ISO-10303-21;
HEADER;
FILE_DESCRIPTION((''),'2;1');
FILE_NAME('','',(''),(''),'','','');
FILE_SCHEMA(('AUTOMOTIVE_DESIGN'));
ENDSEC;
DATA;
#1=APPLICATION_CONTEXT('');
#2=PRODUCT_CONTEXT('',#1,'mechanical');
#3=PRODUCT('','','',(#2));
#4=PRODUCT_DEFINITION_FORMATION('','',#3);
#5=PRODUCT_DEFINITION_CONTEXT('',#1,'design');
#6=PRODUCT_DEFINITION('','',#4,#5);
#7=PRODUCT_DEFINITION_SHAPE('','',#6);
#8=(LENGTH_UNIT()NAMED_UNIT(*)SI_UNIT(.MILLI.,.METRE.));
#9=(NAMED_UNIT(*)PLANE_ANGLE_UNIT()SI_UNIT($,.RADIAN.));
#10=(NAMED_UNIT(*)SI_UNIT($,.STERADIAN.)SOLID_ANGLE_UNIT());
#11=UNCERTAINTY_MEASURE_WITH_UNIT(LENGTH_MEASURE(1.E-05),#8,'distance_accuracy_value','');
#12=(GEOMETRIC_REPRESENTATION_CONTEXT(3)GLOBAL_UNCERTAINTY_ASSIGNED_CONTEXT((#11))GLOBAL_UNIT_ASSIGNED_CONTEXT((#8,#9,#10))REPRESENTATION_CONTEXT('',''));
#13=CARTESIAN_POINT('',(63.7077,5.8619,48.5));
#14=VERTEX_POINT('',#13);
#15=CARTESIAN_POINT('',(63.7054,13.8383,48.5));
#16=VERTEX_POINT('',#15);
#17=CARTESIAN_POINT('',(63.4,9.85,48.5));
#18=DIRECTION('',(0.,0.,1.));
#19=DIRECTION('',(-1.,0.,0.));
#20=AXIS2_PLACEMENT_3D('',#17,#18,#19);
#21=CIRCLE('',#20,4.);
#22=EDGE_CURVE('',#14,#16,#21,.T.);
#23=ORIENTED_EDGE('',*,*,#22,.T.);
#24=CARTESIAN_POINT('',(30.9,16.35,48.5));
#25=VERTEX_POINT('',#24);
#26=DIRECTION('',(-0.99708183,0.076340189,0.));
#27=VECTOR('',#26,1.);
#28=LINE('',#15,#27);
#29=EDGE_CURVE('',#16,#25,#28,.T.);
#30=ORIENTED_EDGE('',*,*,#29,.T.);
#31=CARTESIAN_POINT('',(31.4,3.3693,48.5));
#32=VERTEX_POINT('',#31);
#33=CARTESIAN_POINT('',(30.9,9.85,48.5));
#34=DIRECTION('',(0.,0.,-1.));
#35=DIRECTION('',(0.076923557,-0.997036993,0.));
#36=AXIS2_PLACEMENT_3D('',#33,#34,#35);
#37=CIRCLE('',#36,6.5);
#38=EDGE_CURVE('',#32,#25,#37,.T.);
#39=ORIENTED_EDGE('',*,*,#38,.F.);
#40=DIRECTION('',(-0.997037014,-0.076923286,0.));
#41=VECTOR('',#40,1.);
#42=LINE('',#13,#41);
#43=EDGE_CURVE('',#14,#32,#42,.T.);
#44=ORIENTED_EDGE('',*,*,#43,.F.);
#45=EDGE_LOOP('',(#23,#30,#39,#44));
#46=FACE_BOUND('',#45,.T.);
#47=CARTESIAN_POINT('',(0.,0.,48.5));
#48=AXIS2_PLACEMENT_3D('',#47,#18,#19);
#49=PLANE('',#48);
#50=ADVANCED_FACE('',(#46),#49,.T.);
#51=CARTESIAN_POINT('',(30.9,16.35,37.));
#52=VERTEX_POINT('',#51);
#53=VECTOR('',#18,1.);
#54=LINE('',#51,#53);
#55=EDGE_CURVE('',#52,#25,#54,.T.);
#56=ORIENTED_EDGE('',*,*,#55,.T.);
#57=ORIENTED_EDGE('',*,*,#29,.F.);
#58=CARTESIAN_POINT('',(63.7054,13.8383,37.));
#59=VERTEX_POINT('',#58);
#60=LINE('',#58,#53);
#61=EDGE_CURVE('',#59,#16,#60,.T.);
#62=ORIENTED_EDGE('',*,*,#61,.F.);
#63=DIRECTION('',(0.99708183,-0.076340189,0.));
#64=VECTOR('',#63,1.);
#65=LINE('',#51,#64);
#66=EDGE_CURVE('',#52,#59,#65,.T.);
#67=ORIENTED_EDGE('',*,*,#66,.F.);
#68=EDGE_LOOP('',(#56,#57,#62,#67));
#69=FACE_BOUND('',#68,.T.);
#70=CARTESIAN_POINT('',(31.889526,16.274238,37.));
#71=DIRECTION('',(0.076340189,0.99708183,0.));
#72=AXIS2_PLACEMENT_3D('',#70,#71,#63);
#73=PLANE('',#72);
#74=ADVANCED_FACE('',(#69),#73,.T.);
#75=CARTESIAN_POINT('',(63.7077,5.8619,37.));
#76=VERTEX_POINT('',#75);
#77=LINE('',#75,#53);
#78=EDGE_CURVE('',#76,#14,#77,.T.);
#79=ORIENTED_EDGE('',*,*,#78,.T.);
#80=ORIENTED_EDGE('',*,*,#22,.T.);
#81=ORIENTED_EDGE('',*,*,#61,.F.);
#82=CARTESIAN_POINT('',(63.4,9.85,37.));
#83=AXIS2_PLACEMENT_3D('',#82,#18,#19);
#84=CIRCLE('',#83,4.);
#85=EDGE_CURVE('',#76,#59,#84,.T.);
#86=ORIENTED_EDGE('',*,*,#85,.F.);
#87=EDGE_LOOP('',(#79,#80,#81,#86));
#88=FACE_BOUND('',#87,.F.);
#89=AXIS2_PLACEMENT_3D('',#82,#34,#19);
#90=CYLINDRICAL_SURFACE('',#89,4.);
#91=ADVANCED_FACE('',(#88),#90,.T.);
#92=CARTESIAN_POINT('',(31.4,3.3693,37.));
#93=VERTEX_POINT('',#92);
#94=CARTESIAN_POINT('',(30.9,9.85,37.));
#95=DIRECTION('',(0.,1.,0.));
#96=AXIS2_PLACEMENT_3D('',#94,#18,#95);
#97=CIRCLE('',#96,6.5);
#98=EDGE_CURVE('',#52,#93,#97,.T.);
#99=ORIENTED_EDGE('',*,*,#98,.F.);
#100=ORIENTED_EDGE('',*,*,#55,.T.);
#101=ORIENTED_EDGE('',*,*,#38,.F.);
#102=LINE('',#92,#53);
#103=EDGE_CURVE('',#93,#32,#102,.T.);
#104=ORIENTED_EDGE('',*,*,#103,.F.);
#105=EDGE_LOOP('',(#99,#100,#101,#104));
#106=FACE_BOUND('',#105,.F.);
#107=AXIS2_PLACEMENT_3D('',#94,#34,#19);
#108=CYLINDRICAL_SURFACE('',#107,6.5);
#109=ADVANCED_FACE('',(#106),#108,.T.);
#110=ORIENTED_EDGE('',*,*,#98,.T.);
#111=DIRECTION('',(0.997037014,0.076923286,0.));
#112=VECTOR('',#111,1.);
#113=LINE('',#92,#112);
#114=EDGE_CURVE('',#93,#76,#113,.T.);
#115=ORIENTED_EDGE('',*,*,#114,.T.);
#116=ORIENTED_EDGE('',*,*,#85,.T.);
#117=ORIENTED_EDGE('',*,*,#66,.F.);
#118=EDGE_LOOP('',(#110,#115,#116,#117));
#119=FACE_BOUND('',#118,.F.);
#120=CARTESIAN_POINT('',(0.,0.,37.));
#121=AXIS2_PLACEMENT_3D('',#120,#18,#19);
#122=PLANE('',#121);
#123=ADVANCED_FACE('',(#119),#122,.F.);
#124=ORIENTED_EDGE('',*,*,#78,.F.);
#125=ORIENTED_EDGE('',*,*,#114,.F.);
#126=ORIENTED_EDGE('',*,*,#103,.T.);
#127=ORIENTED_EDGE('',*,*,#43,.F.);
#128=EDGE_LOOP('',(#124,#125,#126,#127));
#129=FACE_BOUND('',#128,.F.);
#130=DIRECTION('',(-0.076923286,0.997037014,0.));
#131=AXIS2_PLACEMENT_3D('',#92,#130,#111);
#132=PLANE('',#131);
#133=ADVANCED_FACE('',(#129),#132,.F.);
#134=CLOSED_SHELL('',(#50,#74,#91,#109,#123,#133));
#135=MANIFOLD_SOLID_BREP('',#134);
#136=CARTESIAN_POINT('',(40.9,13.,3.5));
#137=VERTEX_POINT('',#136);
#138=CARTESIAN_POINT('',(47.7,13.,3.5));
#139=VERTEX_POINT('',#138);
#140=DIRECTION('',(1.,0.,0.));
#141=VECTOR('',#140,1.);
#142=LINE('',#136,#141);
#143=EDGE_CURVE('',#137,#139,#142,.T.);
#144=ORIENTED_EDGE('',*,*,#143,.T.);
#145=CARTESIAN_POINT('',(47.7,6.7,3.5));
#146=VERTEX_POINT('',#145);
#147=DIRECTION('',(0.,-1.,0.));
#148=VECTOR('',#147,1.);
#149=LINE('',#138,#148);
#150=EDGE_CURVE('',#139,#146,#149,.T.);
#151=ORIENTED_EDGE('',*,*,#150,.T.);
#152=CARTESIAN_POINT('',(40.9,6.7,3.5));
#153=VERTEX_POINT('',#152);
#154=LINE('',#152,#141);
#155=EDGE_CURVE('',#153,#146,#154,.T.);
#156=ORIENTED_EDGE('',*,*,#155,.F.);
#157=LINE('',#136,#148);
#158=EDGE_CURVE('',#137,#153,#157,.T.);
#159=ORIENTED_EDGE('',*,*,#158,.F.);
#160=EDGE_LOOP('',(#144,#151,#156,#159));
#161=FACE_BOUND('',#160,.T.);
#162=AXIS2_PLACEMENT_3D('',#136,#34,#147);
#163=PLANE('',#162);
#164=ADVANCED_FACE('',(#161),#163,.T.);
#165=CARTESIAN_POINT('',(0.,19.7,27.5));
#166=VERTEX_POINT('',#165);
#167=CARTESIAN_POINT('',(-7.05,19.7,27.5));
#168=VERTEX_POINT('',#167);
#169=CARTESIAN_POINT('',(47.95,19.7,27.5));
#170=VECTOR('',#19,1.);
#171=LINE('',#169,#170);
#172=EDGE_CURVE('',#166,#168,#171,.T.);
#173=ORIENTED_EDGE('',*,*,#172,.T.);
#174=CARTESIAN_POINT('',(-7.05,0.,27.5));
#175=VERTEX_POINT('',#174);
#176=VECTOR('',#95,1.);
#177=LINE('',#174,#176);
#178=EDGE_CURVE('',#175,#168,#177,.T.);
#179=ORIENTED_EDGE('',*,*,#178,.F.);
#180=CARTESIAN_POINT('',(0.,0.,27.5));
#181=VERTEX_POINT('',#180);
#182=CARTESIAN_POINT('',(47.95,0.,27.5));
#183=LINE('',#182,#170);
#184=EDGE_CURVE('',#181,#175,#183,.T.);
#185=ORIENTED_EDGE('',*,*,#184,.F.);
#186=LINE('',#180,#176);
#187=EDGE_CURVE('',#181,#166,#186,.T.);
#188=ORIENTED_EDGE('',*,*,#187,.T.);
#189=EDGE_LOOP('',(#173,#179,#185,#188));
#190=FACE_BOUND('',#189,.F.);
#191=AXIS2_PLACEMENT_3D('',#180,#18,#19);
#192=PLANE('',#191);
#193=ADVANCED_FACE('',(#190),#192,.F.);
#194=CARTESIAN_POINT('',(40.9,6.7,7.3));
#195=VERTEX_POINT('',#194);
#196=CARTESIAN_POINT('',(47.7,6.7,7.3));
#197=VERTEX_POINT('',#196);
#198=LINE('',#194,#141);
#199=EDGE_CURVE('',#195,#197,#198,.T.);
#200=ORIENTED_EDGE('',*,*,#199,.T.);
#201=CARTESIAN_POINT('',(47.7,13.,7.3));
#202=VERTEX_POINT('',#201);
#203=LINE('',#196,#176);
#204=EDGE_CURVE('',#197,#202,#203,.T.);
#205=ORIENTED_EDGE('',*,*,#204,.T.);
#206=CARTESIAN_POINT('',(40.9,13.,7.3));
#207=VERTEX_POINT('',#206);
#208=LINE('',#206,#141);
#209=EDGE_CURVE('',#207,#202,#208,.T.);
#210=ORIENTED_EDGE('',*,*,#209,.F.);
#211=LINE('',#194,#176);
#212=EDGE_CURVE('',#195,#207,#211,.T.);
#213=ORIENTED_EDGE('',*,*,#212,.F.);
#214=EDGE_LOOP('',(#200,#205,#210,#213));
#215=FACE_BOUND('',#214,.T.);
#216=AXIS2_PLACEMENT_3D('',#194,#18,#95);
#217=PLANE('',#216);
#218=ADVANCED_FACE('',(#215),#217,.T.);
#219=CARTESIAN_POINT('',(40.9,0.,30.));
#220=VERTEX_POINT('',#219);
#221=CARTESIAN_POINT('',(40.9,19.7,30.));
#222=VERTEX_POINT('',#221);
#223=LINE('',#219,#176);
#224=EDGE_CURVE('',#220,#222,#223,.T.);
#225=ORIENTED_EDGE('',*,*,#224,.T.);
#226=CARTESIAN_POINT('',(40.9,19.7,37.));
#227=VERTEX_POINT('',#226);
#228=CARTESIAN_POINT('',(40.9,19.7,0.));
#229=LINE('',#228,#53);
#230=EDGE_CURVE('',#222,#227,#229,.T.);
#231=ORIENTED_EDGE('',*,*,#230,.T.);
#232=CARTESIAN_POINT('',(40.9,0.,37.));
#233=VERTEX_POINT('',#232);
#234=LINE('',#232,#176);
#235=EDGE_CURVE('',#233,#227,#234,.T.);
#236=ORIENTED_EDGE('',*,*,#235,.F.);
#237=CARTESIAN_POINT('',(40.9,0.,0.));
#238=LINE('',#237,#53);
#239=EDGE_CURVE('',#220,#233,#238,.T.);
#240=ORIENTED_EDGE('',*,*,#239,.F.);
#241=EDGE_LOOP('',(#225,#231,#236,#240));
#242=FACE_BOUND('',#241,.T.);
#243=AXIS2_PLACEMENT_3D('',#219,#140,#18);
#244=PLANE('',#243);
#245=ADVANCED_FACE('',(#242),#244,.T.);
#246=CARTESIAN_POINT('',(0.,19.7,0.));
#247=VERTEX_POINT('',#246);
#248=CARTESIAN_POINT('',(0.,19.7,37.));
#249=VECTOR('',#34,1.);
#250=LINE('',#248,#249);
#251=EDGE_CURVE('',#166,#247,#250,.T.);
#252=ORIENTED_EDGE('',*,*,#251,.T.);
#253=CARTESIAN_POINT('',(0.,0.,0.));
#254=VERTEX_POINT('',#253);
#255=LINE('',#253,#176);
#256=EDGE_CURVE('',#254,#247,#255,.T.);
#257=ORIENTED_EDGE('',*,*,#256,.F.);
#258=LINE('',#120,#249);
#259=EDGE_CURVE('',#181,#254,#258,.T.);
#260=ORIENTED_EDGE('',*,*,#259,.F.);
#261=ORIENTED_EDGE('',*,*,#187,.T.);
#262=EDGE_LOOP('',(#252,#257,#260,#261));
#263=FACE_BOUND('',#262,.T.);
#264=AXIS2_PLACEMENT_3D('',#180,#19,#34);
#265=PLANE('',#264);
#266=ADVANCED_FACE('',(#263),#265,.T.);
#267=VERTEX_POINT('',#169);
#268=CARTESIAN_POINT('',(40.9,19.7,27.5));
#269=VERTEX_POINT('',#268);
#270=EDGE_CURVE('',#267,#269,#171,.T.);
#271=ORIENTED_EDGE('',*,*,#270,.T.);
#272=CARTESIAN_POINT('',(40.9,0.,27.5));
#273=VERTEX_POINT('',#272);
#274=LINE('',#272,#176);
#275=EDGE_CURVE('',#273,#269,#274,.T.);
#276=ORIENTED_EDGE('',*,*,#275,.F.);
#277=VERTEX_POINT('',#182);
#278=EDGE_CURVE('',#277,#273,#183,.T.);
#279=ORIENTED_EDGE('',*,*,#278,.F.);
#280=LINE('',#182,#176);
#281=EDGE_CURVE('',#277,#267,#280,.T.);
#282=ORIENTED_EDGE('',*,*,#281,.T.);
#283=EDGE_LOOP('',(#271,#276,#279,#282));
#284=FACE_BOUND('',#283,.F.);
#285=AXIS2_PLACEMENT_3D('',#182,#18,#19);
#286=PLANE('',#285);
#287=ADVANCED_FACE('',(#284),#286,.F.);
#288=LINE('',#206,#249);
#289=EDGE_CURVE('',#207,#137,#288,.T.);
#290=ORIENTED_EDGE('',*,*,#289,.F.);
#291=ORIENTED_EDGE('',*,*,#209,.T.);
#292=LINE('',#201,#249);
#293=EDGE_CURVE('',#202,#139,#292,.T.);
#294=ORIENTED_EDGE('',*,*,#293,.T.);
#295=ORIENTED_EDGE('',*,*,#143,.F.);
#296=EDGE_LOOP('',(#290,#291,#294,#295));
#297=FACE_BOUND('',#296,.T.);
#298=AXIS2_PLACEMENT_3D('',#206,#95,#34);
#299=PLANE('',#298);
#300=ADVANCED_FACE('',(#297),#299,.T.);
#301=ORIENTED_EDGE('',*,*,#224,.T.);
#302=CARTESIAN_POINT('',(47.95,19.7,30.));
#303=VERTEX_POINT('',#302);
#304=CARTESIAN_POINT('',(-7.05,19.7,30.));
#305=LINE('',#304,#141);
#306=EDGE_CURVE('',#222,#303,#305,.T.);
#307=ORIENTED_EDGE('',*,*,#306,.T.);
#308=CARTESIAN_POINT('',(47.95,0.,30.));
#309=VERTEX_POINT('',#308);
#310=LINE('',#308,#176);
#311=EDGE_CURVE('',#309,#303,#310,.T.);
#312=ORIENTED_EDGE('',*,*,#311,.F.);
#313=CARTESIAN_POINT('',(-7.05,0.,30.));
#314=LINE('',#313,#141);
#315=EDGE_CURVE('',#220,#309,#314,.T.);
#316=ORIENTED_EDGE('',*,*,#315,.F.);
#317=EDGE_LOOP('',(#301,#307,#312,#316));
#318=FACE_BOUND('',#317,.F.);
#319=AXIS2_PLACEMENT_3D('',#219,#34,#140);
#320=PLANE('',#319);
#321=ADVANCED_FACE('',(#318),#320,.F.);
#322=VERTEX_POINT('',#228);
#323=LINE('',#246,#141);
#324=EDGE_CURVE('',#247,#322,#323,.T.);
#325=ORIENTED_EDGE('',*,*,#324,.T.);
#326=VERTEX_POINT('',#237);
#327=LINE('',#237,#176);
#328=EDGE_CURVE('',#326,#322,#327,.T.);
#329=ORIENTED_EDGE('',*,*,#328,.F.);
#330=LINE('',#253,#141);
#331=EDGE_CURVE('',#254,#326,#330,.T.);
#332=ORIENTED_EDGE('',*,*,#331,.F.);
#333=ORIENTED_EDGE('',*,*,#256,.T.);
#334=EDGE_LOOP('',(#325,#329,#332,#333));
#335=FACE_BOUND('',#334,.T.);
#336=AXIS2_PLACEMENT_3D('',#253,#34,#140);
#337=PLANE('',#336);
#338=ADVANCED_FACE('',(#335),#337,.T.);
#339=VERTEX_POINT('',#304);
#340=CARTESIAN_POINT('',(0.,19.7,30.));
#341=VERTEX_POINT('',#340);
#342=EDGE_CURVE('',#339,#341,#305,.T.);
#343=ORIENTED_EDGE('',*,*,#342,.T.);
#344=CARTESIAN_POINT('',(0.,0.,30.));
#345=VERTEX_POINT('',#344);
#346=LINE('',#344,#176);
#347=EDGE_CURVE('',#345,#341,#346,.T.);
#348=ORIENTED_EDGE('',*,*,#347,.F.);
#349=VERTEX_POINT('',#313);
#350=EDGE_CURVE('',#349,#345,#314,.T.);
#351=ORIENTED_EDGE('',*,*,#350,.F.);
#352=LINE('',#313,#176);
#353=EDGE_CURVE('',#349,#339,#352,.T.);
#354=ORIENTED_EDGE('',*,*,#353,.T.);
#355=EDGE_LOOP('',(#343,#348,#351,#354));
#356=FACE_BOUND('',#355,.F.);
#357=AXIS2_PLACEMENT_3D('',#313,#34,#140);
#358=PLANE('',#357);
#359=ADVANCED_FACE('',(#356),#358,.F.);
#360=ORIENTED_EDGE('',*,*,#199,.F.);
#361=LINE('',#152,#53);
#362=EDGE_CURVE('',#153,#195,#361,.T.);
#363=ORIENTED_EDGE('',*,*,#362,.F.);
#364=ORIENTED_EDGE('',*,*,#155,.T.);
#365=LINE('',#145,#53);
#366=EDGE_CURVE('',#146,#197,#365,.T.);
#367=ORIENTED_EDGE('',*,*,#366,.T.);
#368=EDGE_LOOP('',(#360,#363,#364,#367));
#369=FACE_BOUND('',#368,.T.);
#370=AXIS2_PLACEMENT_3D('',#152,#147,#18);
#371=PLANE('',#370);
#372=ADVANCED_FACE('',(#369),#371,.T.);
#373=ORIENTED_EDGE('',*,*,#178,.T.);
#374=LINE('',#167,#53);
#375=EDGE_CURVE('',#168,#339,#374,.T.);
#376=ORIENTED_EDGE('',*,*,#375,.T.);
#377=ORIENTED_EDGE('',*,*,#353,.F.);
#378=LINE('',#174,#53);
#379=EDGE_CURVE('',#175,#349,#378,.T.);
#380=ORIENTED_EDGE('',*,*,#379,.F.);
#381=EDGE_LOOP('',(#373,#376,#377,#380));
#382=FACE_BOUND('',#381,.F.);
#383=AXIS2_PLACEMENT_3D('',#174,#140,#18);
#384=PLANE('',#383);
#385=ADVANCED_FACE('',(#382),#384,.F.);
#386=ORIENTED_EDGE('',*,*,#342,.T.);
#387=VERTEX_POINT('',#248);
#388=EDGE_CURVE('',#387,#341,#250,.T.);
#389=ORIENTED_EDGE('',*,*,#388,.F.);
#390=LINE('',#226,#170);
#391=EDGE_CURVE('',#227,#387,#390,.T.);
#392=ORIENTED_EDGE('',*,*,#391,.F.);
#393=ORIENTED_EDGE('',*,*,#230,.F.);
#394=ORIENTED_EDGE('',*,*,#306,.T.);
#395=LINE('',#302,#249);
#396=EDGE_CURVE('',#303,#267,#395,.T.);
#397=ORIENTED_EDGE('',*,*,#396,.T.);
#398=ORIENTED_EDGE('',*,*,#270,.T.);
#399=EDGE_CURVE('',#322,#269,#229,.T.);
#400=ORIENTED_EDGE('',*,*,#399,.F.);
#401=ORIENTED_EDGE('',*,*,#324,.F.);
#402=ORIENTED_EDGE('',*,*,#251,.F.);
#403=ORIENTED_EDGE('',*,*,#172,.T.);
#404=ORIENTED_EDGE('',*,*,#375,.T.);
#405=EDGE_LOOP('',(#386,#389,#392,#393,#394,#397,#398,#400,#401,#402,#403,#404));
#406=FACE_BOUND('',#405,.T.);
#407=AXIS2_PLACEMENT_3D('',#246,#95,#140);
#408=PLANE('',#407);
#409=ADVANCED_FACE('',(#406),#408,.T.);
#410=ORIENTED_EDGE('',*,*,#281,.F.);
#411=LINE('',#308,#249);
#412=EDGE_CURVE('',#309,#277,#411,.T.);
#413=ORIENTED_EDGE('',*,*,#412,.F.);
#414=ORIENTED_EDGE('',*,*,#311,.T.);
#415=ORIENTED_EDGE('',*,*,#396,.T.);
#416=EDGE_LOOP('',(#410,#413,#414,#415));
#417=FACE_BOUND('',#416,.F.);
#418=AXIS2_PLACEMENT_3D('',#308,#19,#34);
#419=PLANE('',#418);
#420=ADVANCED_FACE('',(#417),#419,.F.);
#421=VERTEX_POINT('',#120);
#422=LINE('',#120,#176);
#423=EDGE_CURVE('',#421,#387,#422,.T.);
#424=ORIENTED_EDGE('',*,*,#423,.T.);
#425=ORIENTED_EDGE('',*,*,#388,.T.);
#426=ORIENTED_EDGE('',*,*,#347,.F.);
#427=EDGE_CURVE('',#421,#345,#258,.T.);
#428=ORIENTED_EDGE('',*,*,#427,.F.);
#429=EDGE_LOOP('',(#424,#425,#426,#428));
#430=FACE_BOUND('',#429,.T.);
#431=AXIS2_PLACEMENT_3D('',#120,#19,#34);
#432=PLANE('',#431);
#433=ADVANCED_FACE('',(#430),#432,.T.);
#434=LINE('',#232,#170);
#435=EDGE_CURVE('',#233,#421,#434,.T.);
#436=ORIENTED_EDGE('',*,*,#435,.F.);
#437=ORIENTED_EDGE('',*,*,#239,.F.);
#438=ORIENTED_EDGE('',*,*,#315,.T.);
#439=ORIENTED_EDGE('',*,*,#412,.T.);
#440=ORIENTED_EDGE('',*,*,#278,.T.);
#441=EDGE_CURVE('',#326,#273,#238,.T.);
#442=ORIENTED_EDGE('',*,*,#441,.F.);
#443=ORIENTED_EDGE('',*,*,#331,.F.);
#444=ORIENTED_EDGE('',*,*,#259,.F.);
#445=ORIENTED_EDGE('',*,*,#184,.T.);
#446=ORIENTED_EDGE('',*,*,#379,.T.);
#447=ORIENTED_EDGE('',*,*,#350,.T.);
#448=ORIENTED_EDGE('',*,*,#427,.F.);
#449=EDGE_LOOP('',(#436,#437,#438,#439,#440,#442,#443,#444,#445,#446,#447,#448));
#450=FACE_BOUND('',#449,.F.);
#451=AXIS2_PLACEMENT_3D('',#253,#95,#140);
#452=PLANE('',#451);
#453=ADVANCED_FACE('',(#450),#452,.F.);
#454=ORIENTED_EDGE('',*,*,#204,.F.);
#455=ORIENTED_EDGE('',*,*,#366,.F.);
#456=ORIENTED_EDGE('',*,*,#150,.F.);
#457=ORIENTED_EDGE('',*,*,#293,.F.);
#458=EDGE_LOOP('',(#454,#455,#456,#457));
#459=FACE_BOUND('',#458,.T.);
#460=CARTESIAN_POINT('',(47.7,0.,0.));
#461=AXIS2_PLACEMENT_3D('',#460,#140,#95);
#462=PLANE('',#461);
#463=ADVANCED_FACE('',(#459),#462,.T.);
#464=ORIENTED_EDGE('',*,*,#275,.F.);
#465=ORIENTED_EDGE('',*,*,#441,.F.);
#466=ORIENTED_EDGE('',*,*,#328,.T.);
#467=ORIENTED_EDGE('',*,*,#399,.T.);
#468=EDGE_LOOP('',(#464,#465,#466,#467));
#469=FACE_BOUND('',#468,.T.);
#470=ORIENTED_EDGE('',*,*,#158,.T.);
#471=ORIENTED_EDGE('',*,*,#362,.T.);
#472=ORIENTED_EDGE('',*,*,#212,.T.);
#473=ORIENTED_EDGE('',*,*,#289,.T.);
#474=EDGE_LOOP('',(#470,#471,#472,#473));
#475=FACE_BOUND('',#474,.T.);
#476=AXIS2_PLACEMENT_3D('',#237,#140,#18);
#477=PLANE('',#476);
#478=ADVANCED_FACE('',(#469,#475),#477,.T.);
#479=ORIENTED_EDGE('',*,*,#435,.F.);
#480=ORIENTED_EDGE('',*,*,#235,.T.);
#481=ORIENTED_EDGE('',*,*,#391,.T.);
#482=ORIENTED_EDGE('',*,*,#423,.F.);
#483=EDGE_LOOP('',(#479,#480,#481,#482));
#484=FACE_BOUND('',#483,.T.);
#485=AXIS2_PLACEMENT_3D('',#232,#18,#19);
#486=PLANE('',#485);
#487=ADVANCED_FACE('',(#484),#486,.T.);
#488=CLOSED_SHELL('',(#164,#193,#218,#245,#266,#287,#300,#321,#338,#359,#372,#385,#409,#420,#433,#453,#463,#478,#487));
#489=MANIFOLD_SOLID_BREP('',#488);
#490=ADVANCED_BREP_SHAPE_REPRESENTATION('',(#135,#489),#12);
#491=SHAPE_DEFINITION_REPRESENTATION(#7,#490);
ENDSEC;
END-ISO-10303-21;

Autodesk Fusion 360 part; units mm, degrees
sketch "Sketch3" plane through (0, 0, 0) normal (0, 1, 0) x (1, 0, 0)
  line L0 (0, 0) -> (40.9, 0)
  line L1 (40.9, 0) -> (40.9, -37)
  line L2 (40.9, -37) -> (0, -37)
  line L3 (0, -37) -> (0, 0)
  line L4 (-7.05, -30) -> (47.95, -30)
  line L5 (47.95, -30) -> (47.95, -27.5)
  line L6 (47.95, -27.5) -> (-7.05, -27.5)
  line L7 (-7.05, -27.5) -> (-7.05, -30)
  line L8 (20.45, 0) -> (20.45, -37) construction
  dimension "d8" = 40.9
  dimension "d9" = 37
  dimension "d10" = 2.5
  dimension "d11" = 27.5
  dimension "d12" = 55
  dimension "d13" = 27.5
extrude "Extrude2" add sketch "Sketch3" along normal blind 19.7 makes body 1
sketch "Sketch4" plane through (40.9, 0, 0) normal (1, 0, 0) x (0, 1, 0)
  line L0 (0, 27.5) -> (0, 0) construction
  line L1 (0, 0) -> (19.7, 0)
  line L2 (19.7, 0) -> (19.7, 27.5)
  line L3 (19.7, 27.5) -> (0, 27.5)
  line L4 (6.7, 7.3) -> (13, 7.3)
  line L5 (13, 7.3) -> (13, 3.5)
  line L6 (13, 3.5) -> (6.7, 3.5)
  line L7 (6.7, 3.5) -> (6.7, 7.3)
  line L8 (9.85, 0) -> (9.85, 21.995) construction
  dimension "d16" = 6.3
  dimension "d17" = 3.8
  dimension "d18" = 3.5
  dimension "d19" = 3.15
extrude "Extrude3" add sketch "Sketch4" along normal blind 6.8 bodies 1
sketch "Sketch5" plane through (0, 0, 37) normal (0, 0, 1) x (-1, 0, 0)
  line L0 (0, 0) -> (-40.9, 0)
  line L1 (-40.9, 0) -> (-40.9, -19.7)
  line L2 (-40.9, -19.7) -> (0, -19.7)
  line L3 (0, -19.7) -> (0, 0)
  line L4 (-40.9, -9.85) -> (-22.3906, -9.85) construction
  circle A0 centre (-30.9, -9.85) radius 6.5
  line L5 (-30.9, -9.85) -> (-63.4, -9.85) construction
  circle A1 centre (-63.4, -9.85) radius 4
  line L6 (-30.9, -9.85) -> (-30.9, -16.35) construction
  line L7 (-30.9, -16.35) -> (-63.7054, -13.8383)
  line L8 (-31.4, -3.3693) -> (-63.7077, -5.8619)
  dimension "d27" = 13
  dimension "d28" = 10
  dimension "d29" = 32.5
  dimension "d30" = 8
extrude "Extrude1" add sketch "Sketch5" along normal blind 11.5 separate body contours L1 A0 L7 L8 | L1 A1 L7 L8 | A0 L7 | A1 picked at (-31.6893, -8.3697) makes body 2 in component "Component"
component "Component" placed x (1, 0, 0) y (0, 1, 0) z (0, 0, 1) at (0, 0, 0)
